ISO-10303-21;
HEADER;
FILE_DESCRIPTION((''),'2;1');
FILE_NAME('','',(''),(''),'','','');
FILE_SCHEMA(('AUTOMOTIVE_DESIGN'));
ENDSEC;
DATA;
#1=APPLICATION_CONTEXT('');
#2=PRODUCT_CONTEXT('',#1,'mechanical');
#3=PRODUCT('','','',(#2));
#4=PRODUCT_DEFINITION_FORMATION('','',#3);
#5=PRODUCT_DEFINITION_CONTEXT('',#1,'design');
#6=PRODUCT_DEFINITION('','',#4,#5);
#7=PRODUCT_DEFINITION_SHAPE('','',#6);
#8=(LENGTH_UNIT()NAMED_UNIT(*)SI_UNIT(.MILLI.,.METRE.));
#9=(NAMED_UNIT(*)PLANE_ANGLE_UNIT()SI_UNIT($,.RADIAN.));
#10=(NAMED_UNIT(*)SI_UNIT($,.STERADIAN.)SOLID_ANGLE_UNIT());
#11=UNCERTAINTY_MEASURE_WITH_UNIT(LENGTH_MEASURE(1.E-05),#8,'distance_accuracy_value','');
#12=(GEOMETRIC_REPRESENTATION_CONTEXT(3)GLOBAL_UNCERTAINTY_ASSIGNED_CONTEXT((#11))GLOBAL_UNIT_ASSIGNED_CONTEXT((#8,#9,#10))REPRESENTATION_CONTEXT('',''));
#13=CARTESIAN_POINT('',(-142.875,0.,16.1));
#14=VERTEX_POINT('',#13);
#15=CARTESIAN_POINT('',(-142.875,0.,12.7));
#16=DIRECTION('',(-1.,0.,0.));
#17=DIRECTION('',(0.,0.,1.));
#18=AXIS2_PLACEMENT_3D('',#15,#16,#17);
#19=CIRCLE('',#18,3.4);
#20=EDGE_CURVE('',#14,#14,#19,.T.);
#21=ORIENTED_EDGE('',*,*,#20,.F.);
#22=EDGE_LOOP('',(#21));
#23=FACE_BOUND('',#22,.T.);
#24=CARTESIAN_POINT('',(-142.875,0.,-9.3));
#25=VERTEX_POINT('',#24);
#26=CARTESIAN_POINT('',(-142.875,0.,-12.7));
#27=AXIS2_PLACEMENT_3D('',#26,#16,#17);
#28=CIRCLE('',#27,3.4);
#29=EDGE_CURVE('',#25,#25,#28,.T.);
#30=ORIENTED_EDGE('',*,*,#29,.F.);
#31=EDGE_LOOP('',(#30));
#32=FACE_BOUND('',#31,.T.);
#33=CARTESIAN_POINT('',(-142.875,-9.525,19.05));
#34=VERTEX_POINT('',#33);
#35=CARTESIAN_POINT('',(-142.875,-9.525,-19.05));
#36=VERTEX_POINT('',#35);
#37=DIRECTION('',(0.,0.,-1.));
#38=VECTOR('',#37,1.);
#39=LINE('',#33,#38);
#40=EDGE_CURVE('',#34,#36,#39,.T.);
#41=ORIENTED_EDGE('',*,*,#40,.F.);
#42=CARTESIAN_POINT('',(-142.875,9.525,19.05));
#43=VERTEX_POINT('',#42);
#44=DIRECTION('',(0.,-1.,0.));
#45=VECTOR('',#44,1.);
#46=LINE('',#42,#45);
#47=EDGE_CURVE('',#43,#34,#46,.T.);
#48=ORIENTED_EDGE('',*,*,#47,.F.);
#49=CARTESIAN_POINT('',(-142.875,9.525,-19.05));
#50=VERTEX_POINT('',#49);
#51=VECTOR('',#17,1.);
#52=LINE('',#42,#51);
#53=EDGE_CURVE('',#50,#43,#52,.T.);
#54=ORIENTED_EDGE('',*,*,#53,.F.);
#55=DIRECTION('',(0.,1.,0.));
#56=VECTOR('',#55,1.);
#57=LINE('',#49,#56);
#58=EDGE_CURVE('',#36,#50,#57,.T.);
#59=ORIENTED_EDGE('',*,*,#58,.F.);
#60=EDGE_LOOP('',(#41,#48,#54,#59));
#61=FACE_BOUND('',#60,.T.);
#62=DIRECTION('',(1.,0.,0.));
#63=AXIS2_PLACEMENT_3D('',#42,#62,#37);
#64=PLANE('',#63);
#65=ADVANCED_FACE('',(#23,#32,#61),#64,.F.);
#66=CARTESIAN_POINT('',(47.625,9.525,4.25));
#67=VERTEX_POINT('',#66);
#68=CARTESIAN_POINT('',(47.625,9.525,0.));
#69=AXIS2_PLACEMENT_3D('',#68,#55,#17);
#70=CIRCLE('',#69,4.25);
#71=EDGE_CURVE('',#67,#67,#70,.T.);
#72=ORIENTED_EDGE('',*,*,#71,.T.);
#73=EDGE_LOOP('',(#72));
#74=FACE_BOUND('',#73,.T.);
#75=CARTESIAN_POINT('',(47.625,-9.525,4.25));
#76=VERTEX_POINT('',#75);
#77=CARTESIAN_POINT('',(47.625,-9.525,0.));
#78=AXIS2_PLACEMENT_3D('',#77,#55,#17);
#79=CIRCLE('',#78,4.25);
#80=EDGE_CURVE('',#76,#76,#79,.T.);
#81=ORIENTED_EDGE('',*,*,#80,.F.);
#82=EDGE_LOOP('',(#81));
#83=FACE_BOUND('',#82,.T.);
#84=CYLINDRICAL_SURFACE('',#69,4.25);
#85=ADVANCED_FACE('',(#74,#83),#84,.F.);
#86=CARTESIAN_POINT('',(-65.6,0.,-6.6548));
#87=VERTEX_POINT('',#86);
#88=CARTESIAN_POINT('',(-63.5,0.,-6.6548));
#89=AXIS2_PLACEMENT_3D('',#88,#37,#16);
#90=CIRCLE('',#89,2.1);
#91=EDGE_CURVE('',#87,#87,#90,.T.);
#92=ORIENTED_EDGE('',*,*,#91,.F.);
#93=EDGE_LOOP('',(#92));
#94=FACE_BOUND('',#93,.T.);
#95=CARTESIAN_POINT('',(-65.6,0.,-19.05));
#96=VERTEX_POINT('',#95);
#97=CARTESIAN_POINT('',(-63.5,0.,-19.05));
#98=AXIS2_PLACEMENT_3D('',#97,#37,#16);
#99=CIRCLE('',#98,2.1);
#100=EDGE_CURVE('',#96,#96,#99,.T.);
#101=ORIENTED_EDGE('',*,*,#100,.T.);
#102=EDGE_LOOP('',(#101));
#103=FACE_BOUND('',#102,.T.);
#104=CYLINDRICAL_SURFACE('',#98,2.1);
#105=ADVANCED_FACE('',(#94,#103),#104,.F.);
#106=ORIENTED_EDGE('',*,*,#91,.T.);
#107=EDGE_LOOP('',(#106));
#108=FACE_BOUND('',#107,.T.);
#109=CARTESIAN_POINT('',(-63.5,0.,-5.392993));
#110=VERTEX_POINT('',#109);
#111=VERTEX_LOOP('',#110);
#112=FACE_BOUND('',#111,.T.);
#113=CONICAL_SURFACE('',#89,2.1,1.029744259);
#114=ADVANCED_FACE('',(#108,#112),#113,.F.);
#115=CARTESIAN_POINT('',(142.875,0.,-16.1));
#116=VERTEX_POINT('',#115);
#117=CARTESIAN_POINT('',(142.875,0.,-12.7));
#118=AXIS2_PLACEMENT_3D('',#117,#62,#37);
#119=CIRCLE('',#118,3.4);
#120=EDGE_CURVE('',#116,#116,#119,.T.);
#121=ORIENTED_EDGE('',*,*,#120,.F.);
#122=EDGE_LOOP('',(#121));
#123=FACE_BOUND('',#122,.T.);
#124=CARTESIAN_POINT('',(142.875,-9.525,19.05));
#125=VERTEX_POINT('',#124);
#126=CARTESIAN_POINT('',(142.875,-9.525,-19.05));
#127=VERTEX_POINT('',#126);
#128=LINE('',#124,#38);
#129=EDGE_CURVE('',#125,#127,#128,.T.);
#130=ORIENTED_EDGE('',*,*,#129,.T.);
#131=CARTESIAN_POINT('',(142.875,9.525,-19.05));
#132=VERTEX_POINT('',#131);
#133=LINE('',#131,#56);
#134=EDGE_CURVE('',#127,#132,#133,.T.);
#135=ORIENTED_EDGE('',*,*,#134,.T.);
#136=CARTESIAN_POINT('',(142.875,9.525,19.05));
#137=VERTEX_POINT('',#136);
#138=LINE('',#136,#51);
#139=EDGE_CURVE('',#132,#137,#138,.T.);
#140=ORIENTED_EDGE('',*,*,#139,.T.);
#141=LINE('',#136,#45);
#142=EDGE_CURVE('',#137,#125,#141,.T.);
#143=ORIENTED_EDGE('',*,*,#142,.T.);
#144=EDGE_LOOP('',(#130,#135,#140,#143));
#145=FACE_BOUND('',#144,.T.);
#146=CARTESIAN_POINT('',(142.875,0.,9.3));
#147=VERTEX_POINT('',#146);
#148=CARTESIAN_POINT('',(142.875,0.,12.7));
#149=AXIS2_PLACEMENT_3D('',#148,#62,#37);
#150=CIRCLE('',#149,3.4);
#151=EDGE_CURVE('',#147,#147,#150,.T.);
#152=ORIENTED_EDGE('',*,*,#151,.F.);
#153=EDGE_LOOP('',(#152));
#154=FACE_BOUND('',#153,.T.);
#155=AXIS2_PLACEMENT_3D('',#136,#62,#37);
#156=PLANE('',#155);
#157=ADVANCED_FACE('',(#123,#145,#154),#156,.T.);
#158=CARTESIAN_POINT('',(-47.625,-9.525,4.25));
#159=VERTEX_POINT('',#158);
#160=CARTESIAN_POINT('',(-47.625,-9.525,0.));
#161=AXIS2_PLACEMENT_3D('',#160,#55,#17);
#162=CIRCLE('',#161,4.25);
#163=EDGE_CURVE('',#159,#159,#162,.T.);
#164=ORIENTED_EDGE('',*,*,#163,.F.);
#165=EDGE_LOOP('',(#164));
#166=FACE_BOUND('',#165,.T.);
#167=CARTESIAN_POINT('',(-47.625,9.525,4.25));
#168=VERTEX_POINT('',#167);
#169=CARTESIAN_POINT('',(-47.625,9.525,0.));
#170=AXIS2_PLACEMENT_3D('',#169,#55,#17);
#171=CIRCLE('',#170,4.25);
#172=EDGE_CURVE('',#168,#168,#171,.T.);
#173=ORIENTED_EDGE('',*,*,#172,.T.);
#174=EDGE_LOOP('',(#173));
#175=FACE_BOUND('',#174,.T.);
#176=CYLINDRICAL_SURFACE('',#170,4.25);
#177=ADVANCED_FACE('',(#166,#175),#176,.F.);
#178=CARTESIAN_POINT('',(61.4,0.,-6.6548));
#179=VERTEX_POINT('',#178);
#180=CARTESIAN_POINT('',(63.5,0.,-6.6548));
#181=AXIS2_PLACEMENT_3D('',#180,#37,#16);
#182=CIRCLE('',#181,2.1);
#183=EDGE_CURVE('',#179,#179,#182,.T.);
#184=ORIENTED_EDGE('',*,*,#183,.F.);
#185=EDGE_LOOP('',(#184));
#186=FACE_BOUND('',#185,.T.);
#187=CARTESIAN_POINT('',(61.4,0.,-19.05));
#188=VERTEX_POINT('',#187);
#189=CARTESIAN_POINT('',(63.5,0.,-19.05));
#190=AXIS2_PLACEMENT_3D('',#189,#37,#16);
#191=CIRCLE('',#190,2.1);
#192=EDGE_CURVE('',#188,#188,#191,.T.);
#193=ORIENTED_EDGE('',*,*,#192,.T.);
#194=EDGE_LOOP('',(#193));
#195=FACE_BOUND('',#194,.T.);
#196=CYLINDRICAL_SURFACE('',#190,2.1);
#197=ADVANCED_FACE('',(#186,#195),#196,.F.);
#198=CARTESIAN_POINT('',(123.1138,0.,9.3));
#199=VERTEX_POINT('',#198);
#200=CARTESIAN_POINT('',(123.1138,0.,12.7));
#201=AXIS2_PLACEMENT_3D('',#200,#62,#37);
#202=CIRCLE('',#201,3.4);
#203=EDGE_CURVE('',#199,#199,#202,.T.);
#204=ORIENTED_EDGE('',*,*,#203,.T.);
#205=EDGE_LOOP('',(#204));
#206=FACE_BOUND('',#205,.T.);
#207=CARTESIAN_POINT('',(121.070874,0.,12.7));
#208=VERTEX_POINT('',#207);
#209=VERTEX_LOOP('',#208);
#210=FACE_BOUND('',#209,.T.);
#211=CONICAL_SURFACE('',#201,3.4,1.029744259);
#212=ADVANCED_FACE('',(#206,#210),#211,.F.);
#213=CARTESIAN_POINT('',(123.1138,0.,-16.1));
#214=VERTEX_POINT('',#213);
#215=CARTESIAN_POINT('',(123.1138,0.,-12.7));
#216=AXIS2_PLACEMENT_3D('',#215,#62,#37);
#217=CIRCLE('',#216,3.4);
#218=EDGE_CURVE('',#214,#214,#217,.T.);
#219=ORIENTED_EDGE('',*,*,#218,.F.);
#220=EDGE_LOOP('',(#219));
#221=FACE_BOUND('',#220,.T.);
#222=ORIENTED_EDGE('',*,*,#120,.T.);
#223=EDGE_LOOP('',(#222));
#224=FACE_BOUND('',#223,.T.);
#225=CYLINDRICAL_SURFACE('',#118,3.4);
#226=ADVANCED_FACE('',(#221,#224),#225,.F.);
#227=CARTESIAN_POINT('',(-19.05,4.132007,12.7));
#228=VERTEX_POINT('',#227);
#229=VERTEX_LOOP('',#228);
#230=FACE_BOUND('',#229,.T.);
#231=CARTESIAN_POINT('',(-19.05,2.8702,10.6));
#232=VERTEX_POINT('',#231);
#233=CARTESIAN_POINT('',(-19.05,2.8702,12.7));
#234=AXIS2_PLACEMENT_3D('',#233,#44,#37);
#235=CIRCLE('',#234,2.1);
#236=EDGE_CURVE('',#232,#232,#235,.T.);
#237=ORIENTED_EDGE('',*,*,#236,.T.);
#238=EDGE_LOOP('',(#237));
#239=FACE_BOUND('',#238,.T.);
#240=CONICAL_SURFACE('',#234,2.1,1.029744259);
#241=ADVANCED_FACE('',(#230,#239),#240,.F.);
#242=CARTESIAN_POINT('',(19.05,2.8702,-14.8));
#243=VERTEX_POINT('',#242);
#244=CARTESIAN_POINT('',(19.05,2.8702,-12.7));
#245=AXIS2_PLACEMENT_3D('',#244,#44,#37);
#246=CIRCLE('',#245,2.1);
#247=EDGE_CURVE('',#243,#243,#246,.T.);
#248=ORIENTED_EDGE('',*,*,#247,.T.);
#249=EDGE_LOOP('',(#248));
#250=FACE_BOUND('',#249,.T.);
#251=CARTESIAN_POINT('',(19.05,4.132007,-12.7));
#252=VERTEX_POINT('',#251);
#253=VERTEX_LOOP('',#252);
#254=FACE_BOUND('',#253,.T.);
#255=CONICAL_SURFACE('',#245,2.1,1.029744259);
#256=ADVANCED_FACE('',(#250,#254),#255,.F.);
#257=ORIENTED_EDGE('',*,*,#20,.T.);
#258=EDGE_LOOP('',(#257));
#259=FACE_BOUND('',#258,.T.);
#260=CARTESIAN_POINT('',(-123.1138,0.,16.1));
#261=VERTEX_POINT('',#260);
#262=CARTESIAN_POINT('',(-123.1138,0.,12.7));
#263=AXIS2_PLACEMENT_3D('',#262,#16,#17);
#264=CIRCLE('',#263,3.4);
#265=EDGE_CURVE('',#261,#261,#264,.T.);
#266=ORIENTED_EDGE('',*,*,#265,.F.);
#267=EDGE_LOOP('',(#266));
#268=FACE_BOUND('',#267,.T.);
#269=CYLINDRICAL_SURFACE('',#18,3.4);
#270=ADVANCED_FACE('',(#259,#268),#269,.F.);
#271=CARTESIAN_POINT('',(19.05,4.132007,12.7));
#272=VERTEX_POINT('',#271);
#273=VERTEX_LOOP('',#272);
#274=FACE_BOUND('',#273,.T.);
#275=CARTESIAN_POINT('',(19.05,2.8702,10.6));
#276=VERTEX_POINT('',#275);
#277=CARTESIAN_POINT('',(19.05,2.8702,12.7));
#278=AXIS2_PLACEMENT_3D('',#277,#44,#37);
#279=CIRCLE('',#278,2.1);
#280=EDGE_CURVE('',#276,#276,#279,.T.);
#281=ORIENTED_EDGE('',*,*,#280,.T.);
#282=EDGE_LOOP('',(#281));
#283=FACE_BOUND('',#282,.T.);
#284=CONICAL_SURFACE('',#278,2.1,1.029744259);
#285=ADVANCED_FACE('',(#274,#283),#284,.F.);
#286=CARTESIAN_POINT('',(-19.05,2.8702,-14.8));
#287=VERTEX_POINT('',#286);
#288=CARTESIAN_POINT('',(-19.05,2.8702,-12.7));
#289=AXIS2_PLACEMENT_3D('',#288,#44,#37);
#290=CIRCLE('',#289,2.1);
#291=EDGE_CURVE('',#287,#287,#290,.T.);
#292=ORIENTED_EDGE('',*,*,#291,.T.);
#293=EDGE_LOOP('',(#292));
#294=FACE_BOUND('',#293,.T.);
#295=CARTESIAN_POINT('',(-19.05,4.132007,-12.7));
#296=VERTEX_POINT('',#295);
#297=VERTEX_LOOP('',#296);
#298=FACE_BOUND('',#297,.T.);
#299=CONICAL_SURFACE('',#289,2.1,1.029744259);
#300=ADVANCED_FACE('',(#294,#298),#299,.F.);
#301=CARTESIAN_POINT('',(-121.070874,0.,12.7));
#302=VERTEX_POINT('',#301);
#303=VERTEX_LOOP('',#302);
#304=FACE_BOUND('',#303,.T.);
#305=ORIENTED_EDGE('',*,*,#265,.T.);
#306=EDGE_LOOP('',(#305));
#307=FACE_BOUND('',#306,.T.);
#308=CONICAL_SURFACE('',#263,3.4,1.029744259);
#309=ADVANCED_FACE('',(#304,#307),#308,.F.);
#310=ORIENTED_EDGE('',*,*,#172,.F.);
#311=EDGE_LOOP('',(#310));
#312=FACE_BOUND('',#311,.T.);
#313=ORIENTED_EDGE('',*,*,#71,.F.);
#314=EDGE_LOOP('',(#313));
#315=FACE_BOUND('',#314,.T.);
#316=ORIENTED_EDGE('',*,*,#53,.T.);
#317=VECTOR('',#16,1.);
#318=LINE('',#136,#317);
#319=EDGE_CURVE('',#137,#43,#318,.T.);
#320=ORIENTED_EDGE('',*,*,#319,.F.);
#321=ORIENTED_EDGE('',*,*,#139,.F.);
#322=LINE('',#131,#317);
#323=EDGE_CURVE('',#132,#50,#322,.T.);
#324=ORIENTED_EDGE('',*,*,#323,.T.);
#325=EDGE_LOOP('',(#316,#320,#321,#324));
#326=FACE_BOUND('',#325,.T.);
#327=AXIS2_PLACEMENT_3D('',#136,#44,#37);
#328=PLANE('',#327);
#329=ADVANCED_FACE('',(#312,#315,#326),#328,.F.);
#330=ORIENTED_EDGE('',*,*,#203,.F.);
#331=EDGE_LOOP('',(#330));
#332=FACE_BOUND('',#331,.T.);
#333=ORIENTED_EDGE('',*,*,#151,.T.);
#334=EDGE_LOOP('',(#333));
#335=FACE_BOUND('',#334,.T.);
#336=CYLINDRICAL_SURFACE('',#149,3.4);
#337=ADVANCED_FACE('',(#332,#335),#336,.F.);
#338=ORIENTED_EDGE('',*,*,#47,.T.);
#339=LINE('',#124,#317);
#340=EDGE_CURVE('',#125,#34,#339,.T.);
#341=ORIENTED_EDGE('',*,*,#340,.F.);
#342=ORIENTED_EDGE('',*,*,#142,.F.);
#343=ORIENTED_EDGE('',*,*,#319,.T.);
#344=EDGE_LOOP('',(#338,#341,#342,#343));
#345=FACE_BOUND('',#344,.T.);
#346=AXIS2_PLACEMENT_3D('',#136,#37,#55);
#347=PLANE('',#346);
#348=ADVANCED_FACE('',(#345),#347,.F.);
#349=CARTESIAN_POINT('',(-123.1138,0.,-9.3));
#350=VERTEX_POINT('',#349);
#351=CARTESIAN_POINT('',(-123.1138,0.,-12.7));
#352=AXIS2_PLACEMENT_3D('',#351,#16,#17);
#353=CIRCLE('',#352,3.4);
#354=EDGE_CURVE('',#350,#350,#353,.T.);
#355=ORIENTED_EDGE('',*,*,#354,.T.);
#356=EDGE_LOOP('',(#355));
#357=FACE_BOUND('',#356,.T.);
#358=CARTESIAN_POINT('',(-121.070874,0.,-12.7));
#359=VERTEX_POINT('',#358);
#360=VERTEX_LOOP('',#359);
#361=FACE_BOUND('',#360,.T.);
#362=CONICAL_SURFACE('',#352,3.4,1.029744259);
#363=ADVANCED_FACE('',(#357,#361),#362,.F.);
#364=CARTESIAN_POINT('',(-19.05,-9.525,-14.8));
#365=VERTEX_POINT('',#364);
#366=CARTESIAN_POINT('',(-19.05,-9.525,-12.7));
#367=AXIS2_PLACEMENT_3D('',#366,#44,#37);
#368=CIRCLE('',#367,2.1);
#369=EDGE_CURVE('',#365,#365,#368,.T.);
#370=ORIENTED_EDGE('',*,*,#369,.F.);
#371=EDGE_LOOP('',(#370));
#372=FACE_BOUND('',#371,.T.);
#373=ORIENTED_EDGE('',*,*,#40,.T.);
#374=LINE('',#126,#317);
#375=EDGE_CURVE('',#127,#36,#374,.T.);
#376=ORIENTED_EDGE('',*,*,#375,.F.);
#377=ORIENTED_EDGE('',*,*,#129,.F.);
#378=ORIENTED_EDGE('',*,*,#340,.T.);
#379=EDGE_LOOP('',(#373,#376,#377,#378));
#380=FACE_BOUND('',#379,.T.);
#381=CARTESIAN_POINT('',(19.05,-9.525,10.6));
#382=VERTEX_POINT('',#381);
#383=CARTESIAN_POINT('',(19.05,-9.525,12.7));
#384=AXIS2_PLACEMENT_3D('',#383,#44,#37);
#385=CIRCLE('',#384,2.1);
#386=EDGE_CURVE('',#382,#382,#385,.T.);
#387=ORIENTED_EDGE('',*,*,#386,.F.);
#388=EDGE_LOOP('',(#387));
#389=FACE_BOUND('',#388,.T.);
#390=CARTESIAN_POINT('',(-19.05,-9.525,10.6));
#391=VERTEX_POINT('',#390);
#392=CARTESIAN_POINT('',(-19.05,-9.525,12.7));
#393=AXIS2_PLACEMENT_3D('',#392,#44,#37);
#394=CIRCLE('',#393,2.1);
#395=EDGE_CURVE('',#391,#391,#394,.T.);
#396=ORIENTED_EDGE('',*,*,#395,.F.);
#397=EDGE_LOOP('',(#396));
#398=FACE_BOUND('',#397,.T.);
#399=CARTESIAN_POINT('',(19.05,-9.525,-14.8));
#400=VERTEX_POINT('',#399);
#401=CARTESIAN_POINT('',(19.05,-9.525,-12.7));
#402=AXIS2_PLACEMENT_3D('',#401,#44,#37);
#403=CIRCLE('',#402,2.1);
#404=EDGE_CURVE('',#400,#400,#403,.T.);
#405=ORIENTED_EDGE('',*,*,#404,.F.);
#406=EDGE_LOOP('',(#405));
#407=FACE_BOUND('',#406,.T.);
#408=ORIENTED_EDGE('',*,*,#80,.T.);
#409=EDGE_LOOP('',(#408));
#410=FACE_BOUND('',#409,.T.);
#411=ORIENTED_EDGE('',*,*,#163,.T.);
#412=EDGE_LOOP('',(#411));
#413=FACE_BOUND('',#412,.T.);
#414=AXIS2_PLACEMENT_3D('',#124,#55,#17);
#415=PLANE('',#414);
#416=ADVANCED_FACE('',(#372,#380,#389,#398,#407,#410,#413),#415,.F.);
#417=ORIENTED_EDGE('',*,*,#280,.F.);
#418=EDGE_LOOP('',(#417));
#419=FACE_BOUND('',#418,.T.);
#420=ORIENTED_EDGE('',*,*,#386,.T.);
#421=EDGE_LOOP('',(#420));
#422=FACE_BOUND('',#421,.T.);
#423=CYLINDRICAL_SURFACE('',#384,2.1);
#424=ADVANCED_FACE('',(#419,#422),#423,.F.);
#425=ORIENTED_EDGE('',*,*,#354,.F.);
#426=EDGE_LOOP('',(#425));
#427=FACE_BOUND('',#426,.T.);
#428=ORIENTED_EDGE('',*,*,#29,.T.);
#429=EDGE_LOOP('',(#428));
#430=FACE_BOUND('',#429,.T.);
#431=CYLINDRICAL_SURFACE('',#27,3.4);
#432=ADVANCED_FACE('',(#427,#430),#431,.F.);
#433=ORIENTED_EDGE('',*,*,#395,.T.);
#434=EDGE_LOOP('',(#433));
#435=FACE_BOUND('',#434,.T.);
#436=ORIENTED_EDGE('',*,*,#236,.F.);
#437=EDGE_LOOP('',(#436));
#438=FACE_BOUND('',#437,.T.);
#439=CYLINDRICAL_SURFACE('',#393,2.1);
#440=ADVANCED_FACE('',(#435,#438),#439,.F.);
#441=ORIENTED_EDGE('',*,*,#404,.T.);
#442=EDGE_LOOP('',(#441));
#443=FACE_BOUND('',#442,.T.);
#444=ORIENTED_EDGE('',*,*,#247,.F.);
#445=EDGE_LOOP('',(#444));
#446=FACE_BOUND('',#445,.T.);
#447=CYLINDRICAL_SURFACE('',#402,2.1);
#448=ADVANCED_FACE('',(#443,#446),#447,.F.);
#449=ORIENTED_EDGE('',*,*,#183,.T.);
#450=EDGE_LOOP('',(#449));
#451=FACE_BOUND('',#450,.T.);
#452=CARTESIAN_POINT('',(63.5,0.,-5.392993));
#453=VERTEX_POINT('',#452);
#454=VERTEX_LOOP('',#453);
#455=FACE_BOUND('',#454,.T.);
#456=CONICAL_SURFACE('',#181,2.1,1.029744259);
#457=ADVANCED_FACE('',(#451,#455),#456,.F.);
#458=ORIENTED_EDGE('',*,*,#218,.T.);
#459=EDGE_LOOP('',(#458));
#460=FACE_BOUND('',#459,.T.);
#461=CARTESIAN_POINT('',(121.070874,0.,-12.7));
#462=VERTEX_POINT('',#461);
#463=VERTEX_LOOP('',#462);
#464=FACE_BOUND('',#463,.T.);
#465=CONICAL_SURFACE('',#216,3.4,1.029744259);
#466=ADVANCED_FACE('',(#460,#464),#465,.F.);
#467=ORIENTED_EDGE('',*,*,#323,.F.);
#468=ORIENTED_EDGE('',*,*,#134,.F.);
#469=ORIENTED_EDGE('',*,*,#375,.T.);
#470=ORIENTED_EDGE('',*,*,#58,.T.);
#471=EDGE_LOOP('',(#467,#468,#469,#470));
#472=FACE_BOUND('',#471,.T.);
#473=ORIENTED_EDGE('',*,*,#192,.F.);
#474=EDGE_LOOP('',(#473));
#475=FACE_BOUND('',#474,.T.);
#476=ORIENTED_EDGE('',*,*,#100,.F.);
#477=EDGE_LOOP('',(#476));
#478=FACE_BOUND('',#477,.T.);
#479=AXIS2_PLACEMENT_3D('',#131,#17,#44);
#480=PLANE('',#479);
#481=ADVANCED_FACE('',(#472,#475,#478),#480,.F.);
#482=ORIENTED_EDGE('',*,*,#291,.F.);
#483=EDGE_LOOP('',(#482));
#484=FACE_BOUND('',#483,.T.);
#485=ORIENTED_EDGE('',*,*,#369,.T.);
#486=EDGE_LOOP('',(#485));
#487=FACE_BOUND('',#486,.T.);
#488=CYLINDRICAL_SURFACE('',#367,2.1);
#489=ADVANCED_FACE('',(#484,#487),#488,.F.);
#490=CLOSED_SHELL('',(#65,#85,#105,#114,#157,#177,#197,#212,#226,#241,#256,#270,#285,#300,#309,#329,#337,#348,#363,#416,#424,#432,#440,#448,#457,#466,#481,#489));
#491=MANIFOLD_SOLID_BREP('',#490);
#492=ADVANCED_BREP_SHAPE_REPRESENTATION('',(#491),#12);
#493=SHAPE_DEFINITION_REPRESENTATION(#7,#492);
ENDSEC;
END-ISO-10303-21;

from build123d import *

# Parameters (mm, degrees)
SKETCH1_W                       = 38.1
SKETCH1_H                       = 19.05
EXTRUDE1_DEPTH                  = 142.875
M8X1_25_TAPPED_HOLE1_AT_2_COUNT = 2
M8X1_25_TAPPED_HOLE1_AT_2_PITCH = 25.4
M10X1_5_TAPPED_HOLE1_D          = 8.5
M5X0_8_TAPPED_HOLE2_D           = 4.2
M5X0_8_TAPPED_HOLE2_DEPTH       = 12.3952
M5X0_8_TAPPED_HOLE2_TIP         = 1.2618073
M5X0_8_TAPPED_HOLE3_D           = 4.2
M5X0_8_TAPPED_HOLE3_DEPTH       = 12.3952
M5X0_8_TAPPED_HOLE3_TIP         = 1.2618073


with BuildPart() as part:
    # Sketch1 → Extrude1 (new, symmetric)
    with BuildSketch(Plane(origin=(0, 0, 0), x_dir=(0, 0, -1), z_dir=(1, 0, 0))):
        Rectangle(SKETCH1_W, SKETCH1_H)
    extrude(amount=EXTRUDE1_DEPTH, both=True)

    # Sketch2 → M8x1.25 Tapped Hole1 (revolve, cut)
    with BuildSketch(Plane(origin=(142.875, 0, 12.7), x_dir=(0, 0, -1), z_dir=(0, 1, 0))):
        Polygon((0, 0), (0, 21.804126105), (3.4, 19.7612), (3.4, 0), align=None)
    m8x1_25_tapped_hole1 = revolve(axis=Axis((149.225, 0, 12.7), (-1, 0, 0)), mode=Mode.SUBTRACT)

    # M8x1.25 Tapped Hole1 at 2: M8x1.25 Tapped Hole1 ×2
    with Locations(*[(0, 0, -i * M8X1_25_TAPPED_HOLE1_AT_2_PITCH) for i in range(1, M8X1_25_TAPPED_HOLE1_AT_2_COUNT)]):
        add(m8x1_25_tapped_hole1, mode=Mode.SUBTRACT)

    # Mirror1: M8x1.25 Tapped Hole1 across plane
    add(m8x1_25_tapped_hole1.mirror(Plane(origin=(0, 0, 0), x_dir=(0, 0, 1), z_dir=(1, 0, 0))), mode=Mode.SUBTRACT)

    # Mirror1 copy 1 sketch → Mirror1 copy 1 (revolve, cut)
    with BuildSketch(Plane(origin=(-142.875, 0, -12.7), x_dir=(0, 0, -1), z_dir=(0, 1, 0))):
        Polygon((0, 0), (0, -21.804126105), (3.4, -19.7612), (3.4, 0), align=None)
    revolve(axis=Axis((-149.225, 0, -12.7), (-1, 0, 0)), mode=Mode.SUBTRACT)

    # M10x1.5 Tapped Hole1 (through all)
    with Locations(Plane(origin=(0, 9.525, 0), x_dir=(-1, 0, 0), z_dir=(0, 1, 0))):
        with Locations((47.625, 0), (-47.625, 0)):
            Hole(M10X1_5_TAPPED_HOLE1_D / 2)

    # M5x0.8 Tapped Hole2
    with Locations(Plane(origin=(-9.051259955, 7.173736758, -19.05), x_dir=(1, 0, 0), z_dir=(0, 0, -1))):
        with Locations((72.551259955, 7.173736758), (-54.448740045, 7.173736758)):
            Hole(M5X0_8_TAPPED_HOLE2_D / 2, depth=M5X0_8_TAPPED_HOLE2_DEPTH)
            with Locations((0, 0, -(M5X0_8_TAPPED_HOLE2_DEPTH + M5X0_8_TAPPED_HOLE2_TIP / 2))):  # 118° drill point
                Cone(0, M5X0_8_TAPPED_HOLE2_D / 2, M5X0_8_TAPPED_HOLE2_TIP, mode=Mode.SUBTRACT)

    # M5x0.8 Tapped Hole3
    with Locations(Plane(origin=(0, -9.525, 0), x_dir=(-1, 0, 0), z_dir=(0, -1, 0))):
        with Locations((-19.05, 12.7), (19.05, 12.7), (19.05, -12.7), (-19.05, -12.7)):
            Hole(M5X0_8_TAPPED_HOLE3_D / 2, depth=M5X0_8_TAPPED_HOLE3_DEPTH)
            with Locations((0, 0, -(M5X0_8_TAPPED_HOLE3_DEPTH + M5X0_8_TAPPED_HOLE3_TIP / 2))):  # 118° drill point
                Cone(0, M5X0_8_TAPPED_HOLE3_D / 2, M5X0_8_TAPPED_HOLE3_TIP, mode=Mode.SUBTRACT)


solid = part.part
